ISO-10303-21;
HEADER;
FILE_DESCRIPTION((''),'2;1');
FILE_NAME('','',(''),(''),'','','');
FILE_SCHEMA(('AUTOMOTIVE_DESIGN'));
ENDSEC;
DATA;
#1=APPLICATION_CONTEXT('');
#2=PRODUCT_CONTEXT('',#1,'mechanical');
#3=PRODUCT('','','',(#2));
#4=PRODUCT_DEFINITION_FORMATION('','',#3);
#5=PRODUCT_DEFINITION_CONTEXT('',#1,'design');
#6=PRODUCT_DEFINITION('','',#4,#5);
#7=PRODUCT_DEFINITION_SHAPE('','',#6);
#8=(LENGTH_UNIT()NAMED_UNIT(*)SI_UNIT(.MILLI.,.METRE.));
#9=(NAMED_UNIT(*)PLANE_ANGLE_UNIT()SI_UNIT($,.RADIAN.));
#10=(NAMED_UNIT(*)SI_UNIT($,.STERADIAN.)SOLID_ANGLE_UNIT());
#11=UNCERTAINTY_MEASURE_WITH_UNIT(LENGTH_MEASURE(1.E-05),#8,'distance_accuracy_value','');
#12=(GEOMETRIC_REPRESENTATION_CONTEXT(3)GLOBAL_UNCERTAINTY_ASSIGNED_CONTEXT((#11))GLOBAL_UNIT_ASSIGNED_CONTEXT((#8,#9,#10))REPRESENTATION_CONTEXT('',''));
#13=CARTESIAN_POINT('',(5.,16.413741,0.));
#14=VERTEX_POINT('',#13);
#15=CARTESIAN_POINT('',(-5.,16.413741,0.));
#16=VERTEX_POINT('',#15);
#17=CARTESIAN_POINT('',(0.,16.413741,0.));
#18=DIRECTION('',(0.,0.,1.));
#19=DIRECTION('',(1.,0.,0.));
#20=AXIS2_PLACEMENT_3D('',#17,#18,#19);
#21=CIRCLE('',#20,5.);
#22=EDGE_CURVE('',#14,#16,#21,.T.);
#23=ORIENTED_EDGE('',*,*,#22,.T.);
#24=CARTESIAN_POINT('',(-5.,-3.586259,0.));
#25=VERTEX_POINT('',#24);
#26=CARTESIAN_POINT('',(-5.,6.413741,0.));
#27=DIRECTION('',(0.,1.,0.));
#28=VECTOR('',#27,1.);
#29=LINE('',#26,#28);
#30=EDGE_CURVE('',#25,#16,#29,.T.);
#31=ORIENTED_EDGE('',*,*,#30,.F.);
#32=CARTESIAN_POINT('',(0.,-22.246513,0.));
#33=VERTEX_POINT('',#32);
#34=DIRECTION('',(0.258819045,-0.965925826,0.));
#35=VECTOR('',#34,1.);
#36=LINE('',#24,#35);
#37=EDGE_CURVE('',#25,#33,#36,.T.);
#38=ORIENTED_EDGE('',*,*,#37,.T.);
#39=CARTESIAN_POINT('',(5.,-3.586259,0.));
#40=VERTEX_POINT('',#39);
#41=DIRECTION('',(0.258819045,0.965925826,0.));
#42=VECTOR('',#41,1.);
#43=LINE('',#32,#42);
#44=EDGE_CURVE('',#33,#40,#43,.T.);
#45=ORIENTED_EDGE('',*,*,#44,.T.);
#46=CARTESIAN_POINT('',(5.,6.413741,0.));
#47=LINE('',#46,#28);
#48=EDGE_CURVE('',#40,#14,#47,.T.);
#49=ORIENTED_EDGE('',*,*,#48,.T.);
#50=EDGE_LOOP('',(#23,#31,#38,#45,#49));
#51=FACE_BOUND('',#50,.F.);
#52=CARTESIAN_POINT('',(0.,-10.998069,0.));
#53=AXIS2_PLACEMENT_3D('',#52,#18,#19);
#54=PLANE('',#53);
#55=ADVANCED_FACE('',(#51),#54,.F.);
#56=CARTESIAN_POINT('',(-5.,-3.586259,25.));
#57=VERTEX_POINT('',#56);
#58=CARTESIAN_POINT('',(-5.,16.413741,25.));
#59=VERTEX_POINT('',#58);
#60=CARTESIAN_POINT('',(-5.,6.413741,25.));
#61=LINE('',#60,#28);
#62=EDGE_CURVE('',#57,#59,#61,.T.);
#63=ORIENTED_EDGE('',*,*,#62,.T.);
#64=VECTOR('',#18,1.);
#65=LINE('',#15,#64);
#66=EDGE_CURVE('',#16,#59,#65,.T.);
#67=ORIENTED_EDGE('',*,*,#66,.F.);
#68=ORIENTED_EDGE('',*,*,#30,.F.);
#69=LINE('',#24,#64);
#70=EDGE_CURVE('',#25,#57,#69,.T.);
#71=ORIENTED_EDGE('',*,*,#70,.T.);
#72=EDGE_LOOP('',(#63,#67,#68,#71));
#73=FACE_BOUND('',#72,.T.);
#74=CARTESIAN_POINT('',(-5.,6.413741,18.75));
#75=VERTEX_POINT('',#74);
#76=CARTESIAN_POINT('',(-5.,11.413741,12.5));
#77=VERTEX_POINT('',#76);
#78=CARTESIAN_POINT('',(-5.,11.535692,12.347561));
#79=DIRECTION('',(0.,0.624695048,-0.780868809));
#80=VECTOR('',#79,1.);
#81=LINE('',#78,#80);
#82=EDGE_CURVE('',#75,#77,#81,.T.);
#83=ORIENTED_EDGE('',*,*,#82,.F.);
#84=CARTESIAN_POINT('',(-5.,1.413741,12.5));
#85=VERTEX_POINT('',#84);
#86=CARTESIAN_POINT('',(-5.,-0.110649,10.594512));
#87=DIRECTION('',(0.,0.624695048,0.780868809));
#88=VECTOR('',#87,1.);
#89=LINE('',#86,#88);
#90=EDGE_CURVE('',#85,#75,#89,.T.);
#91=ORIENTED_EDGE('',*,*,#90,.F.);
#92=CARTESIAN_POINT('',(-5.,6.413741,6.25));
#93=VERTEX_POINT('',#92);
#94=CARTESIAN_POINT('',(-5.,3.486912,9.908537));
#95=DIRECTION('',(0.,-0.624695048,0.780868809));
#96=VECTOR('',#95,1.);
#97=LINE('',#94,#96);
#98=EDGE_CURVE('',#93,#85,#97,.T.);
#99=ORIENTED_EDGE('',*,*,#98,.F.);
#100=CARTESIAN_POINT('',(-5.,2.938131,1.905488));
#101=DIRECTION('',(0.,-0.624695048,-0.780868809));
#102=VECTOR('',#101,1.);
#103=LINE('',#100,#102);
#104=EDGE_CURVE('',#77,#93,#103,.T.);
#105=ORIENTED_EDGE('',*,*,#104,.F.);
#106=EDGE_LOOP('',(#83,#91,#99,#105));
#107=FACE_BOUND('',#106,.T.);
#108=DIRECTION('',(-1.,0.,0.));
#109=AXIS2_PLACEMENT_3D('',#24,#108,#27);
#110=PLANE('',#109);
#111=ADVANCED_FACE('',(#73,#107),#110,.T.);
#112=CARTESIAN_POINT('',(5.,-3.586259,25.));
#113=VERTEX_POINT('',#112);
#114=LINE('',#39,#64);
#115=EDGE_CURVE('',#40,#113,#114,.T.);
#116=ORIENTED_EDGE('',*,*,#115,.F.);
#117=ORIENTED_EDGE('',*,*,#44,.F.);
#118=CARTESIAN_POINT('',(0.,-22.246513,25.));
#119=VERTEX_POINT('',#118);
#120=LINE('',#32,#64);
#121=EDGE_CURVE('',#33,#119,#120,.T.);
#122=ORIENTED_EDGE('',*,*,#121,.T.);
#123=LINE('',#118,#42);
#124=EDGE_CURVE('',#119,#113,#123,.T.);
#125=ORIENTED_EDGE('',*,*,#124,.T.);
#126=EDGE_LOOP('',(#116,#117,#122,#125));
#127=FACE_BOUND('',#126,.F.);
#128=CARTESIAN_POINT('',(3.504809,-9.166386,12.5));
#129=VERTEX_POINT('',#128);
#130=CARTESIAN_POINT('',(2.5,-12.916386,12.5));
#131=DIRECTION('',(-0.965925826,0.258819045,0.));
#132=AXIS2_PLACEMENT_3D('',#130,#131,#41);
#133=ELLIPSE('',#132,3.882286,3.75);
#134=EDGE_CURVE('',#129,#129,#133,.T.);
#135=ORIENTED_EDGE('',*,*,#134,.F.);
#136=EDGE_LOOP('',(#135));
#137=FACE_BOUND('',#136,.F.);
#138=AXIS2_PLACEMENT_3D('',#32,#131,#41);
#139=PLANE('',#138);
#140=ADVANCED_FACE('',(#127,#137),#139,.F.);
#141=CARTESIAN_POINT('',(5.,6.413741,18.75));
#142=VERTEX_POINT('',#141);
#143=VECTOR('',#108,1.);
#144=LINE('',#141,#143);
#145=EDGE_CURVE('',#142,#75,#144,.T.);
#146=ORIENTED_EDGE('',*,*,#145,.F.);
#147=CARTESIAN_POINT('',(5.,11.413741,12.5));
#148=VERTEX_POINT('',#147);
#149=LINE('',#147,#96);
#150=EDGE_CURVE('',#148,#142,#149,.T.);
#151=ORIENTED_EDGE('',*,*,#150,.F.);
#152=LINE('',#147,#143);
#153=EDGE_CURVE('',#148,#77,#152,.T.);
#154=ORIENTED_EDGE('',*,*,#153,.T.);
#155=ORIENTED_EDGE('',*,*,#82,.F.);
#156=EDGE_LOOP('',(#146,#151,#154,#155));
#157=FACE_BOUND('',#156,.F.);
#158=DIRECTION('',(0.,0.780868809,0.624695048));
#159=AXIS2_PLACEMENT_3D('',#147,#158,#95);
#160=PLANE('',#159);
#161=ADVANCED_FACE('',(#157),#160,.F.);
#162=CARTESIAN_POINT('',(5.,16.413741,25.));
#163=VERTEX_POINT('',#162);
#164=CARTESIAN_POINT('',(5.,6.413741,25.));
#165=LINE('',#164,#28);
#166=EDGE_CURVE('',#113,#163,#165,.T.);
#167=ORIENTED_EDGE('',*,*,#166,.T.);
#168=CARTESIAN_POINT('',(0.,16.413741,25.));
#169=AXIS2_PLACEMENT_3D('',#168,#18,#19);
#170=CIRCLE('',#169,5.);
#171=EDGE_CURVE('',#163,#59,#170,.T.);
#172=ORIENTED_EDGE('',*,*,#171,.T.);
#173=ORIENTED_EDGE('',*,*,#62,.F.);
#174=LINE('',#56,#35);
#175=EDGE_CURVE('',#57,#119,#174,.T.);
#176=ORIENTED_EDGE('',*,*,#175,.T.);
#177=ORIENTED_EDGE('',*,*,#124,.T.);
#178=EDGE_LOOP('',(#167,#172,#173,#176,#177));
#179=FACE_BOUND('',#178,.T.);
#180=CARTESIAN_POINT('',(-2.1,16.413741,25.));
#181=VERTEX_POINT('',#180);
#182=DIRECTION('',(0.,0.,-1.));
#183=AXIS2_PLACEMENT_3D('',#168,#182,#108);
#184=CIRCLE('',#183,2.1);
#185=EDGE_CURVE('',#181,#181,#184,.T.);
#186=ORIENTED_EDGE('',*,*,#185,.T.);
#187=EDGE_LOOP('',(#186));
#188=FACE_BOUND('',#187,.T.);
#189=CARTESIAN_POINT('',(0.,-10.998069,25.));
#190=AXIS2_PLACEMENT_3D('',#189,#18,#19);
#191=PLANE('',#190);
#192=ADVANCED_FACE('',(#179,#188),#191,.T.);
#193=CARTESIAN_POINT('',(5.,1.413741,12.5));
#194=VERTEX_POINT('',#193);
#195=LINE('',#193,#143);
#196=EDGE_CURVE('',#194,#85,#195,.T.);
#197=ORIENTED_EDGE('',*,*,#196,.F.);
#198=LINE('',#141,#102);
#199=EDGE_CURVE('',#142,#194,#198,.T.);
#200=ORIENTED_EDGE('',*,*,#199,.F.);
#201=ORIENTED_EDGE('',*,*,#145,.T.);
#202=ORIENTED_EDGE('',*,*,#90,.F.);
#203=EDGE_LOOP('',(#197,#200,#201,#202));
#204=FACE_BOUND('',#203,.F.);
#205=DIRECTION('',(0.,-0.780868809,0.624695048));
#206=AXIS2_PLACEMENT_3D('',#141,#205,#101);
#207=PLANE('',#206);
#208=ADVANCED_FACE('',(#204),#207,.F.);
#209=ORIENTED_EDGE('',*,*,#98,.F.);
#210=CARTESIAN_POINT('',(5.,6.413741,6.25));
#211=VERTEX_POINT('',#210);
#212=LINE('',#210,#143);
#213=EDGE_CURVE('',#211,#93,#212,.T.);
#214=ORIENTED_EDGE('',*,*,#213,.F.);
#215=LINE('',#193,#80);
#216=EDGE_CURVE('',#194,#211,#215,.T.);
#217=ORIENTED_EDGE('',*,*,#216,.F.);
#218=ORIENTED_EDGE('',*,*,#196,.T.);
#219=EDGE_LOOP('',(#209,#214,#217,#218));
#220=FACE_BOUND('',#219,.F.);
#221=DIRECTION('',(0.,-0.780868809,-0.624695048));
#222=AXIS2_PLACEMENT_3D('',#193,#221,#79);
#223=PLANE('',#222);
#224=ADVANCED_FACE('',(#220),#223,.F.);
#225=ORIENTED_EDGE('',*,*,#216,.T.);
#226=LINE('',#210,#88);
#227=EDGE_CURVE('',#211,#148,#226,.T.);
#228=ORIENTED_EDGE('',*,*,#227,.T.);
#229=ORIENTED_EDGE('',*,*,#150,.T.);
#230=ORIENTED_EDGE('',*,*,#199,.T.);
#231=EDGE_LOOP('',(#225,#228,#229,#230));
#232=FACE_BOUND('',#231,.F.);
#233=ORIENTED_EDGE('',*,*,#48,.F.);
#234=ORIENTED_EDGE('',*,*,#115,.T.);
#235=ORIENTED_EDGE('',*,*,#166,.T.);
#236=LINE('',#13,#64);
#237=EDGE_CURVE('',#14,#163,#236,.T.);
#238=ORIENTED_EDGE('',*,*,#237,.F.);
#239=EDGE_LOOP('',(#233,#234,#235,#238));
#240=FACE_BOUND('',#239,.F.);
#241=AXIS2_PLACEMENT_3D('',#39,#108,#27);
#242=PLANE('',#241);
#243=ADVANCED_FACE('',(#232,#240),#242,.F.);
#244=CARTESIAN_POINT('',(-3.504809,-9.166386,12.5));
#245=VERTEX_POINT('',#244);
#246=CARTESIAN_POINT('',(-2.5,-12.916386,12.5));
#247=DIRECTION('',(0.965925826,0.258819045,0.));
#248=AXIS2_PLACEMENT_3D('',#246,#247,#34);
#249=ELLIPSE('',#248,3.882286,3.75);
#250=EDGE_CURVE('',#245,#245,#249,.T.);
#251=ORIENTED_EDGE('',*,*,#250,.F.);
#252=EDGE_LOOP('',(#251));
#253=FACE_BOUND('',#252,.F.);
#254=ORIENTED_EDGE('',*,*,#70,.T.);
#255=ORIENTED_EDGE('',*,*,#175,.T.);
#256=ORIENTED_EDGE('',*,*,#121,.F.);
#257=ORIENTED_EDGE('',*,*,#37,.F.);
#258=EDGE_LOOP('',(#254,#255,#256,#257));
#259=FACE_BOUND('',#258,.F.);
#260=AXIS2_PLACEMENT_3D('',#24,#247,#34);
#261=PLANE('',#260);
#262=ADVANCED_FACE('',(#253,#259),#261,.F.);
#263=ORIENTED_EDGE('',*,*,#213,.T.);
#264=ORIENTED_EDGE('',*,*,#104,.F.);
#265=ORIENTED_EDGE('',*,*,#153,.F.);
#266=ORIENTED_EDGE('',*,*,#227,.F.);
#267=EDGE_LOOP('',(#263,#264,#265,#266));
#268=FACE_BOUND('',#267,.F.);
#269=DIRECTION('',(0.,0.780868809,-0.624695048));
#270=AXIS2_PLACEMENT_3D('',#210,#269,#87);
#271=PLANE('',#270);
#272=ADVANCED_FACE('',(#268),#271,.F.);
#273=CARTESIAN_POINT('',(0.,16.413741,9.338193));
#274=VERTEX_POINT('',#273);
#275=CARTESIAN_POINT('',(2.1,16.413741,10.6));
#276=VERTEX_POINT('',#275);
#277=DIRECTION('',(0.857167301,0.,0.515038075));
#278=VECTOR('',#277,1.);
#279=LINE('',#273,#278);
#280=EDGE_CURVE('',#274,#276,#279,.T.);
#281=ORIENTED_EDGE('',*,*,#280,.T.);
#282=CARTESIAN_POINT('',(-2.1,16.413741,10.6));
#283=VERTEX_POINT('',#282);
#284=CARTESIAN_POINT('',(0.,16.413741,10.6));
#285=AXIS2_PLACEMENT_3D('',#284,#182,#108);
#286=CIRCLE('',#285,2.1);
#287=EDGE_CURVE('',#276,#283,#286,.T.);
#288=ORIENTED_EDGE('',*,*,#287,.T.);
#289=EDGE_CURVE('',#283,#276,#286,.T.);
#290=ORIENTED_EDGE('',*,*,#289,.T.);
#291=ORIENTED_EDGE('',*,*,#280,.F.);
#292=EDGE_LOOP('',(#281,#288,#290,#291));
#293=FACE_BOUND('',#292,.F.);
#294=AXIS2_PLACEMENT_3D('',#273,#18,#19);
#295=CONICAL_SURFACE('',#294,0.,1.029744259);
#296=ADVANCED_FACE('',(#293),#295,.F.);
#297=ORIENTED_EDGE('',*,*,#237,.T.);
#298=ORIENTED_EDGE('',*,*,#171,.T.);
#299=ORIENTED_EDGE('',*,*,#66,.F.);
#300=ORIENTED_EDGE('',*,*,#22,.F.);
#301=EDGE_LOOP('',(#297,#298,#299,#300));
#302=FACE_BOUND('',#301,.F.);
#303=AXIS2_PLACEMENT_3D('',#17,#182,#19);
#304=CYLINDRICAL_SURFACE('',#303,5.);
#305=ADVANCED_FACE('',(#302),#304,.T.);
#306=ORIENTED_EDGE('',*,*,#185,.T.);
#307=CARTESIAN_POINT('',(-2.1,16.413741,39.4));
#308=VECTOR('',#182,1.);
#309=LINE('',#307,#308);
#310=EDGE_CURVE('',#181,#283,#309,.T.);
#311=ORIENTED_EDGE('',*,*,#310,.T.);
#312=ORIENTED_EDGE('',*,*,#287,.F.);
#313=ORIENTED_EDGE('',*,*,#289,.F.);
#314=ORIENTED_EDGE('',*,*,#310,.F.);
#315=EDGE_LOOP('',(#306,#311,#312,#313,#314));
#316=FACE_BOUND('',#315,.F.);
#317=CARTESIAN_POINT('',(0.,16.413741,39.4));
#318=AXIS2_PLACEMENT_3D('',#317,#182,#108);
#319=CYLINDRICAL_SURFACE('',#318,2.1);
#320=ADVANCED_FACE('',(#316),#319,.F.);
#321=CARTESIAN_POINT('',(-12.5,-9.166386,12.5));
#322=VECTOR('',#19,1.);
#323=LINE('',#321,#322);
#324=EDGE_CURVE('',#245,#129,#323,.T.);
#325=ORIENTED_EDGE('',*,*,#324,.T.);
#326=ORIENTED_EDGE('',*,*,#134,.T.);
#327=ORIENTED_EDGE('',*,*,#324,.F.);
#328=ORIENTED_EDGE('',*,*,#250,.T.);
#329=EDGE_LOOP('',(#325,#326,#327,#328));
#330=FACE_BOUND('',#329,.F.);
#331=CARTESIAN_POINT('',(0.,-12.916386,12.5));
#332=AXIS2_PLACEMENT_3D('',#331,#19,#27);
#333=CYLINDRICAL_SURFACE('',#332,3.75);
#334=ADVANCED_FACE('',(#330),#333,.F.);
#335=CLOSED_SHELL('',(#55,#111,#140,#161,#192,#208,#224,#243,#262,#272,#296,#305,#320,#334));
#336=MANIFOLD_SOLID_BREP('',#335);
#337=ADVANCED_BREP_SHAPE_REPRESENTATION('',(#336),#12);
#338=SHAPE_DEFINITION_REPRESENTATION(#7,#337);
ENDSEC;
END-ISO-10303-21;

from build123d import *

# Parameters (mm, degrees)
F0_W     = 10
F0_H     = 20
F1_DEPTH = 25
F3_DEPTH = 10.001
F4_R     = 3.75
F5_DEPTH = 12.5
F7_D     = 4.2
F7_DEPTH = 14.4
F7_TIP   = 1.2618073


with BuildPart() as f1:
    # F0 (on Top) → F1 (new body)
    with BuildSketch(Plane.XY):
        Polygon((0, -22.2465131165), (5, -3.5862590786), (-5, -3.5862590786), align=None)
        with Locations((0, 6.4137409214)):
            Rectangle(F0_W, F0_H)
        with BuildLine():
            Line((-5, 16.4137409214), (5, 16.4137409214))
            ThreePointArc((5, 16.4137409214), (0, 21.4137409214), (-5, 16.4137409214))
        make_face()
    extrude(amount=F1_DEPTH)

    # F2 (on face) → F3 (cut, through all)
    with BuildSketch(Plane.YZ.offset(5)):
        Polygon((11.4137409214, 12.5), (6.4137409214, 18.75), (1.4137409214, 12.5), (6.4137409214, 6.25), align=None)
    extrude(amount=-F3_DEPTH, mode=Mode.SUBTRACT)

    # F4 (on Right) → F5 (cut, symmetric)
    with BuildSketch(Plane.YZ):
        with Locations((-12.9163860975, 12.5)):
            Circle(F4_R)
    extrude(amount=F5_DEPTH, both=True, mode=Mode.SUBTRACT)

    # F7
    with Locations(Plane.XY.offset(25)):
        with Locations((0, 16.4137409214)):
            Hole(F7_D / 2, depth=F7_DEPTH)
            with Locations((0, 0, -(F7_DEPTH + F7_TIP / 2))):  # 118° drill point
                Cone(0, F7_D / 2, F7_TIP, mode=Mode.SUBTRACT)


solid = f1.part
